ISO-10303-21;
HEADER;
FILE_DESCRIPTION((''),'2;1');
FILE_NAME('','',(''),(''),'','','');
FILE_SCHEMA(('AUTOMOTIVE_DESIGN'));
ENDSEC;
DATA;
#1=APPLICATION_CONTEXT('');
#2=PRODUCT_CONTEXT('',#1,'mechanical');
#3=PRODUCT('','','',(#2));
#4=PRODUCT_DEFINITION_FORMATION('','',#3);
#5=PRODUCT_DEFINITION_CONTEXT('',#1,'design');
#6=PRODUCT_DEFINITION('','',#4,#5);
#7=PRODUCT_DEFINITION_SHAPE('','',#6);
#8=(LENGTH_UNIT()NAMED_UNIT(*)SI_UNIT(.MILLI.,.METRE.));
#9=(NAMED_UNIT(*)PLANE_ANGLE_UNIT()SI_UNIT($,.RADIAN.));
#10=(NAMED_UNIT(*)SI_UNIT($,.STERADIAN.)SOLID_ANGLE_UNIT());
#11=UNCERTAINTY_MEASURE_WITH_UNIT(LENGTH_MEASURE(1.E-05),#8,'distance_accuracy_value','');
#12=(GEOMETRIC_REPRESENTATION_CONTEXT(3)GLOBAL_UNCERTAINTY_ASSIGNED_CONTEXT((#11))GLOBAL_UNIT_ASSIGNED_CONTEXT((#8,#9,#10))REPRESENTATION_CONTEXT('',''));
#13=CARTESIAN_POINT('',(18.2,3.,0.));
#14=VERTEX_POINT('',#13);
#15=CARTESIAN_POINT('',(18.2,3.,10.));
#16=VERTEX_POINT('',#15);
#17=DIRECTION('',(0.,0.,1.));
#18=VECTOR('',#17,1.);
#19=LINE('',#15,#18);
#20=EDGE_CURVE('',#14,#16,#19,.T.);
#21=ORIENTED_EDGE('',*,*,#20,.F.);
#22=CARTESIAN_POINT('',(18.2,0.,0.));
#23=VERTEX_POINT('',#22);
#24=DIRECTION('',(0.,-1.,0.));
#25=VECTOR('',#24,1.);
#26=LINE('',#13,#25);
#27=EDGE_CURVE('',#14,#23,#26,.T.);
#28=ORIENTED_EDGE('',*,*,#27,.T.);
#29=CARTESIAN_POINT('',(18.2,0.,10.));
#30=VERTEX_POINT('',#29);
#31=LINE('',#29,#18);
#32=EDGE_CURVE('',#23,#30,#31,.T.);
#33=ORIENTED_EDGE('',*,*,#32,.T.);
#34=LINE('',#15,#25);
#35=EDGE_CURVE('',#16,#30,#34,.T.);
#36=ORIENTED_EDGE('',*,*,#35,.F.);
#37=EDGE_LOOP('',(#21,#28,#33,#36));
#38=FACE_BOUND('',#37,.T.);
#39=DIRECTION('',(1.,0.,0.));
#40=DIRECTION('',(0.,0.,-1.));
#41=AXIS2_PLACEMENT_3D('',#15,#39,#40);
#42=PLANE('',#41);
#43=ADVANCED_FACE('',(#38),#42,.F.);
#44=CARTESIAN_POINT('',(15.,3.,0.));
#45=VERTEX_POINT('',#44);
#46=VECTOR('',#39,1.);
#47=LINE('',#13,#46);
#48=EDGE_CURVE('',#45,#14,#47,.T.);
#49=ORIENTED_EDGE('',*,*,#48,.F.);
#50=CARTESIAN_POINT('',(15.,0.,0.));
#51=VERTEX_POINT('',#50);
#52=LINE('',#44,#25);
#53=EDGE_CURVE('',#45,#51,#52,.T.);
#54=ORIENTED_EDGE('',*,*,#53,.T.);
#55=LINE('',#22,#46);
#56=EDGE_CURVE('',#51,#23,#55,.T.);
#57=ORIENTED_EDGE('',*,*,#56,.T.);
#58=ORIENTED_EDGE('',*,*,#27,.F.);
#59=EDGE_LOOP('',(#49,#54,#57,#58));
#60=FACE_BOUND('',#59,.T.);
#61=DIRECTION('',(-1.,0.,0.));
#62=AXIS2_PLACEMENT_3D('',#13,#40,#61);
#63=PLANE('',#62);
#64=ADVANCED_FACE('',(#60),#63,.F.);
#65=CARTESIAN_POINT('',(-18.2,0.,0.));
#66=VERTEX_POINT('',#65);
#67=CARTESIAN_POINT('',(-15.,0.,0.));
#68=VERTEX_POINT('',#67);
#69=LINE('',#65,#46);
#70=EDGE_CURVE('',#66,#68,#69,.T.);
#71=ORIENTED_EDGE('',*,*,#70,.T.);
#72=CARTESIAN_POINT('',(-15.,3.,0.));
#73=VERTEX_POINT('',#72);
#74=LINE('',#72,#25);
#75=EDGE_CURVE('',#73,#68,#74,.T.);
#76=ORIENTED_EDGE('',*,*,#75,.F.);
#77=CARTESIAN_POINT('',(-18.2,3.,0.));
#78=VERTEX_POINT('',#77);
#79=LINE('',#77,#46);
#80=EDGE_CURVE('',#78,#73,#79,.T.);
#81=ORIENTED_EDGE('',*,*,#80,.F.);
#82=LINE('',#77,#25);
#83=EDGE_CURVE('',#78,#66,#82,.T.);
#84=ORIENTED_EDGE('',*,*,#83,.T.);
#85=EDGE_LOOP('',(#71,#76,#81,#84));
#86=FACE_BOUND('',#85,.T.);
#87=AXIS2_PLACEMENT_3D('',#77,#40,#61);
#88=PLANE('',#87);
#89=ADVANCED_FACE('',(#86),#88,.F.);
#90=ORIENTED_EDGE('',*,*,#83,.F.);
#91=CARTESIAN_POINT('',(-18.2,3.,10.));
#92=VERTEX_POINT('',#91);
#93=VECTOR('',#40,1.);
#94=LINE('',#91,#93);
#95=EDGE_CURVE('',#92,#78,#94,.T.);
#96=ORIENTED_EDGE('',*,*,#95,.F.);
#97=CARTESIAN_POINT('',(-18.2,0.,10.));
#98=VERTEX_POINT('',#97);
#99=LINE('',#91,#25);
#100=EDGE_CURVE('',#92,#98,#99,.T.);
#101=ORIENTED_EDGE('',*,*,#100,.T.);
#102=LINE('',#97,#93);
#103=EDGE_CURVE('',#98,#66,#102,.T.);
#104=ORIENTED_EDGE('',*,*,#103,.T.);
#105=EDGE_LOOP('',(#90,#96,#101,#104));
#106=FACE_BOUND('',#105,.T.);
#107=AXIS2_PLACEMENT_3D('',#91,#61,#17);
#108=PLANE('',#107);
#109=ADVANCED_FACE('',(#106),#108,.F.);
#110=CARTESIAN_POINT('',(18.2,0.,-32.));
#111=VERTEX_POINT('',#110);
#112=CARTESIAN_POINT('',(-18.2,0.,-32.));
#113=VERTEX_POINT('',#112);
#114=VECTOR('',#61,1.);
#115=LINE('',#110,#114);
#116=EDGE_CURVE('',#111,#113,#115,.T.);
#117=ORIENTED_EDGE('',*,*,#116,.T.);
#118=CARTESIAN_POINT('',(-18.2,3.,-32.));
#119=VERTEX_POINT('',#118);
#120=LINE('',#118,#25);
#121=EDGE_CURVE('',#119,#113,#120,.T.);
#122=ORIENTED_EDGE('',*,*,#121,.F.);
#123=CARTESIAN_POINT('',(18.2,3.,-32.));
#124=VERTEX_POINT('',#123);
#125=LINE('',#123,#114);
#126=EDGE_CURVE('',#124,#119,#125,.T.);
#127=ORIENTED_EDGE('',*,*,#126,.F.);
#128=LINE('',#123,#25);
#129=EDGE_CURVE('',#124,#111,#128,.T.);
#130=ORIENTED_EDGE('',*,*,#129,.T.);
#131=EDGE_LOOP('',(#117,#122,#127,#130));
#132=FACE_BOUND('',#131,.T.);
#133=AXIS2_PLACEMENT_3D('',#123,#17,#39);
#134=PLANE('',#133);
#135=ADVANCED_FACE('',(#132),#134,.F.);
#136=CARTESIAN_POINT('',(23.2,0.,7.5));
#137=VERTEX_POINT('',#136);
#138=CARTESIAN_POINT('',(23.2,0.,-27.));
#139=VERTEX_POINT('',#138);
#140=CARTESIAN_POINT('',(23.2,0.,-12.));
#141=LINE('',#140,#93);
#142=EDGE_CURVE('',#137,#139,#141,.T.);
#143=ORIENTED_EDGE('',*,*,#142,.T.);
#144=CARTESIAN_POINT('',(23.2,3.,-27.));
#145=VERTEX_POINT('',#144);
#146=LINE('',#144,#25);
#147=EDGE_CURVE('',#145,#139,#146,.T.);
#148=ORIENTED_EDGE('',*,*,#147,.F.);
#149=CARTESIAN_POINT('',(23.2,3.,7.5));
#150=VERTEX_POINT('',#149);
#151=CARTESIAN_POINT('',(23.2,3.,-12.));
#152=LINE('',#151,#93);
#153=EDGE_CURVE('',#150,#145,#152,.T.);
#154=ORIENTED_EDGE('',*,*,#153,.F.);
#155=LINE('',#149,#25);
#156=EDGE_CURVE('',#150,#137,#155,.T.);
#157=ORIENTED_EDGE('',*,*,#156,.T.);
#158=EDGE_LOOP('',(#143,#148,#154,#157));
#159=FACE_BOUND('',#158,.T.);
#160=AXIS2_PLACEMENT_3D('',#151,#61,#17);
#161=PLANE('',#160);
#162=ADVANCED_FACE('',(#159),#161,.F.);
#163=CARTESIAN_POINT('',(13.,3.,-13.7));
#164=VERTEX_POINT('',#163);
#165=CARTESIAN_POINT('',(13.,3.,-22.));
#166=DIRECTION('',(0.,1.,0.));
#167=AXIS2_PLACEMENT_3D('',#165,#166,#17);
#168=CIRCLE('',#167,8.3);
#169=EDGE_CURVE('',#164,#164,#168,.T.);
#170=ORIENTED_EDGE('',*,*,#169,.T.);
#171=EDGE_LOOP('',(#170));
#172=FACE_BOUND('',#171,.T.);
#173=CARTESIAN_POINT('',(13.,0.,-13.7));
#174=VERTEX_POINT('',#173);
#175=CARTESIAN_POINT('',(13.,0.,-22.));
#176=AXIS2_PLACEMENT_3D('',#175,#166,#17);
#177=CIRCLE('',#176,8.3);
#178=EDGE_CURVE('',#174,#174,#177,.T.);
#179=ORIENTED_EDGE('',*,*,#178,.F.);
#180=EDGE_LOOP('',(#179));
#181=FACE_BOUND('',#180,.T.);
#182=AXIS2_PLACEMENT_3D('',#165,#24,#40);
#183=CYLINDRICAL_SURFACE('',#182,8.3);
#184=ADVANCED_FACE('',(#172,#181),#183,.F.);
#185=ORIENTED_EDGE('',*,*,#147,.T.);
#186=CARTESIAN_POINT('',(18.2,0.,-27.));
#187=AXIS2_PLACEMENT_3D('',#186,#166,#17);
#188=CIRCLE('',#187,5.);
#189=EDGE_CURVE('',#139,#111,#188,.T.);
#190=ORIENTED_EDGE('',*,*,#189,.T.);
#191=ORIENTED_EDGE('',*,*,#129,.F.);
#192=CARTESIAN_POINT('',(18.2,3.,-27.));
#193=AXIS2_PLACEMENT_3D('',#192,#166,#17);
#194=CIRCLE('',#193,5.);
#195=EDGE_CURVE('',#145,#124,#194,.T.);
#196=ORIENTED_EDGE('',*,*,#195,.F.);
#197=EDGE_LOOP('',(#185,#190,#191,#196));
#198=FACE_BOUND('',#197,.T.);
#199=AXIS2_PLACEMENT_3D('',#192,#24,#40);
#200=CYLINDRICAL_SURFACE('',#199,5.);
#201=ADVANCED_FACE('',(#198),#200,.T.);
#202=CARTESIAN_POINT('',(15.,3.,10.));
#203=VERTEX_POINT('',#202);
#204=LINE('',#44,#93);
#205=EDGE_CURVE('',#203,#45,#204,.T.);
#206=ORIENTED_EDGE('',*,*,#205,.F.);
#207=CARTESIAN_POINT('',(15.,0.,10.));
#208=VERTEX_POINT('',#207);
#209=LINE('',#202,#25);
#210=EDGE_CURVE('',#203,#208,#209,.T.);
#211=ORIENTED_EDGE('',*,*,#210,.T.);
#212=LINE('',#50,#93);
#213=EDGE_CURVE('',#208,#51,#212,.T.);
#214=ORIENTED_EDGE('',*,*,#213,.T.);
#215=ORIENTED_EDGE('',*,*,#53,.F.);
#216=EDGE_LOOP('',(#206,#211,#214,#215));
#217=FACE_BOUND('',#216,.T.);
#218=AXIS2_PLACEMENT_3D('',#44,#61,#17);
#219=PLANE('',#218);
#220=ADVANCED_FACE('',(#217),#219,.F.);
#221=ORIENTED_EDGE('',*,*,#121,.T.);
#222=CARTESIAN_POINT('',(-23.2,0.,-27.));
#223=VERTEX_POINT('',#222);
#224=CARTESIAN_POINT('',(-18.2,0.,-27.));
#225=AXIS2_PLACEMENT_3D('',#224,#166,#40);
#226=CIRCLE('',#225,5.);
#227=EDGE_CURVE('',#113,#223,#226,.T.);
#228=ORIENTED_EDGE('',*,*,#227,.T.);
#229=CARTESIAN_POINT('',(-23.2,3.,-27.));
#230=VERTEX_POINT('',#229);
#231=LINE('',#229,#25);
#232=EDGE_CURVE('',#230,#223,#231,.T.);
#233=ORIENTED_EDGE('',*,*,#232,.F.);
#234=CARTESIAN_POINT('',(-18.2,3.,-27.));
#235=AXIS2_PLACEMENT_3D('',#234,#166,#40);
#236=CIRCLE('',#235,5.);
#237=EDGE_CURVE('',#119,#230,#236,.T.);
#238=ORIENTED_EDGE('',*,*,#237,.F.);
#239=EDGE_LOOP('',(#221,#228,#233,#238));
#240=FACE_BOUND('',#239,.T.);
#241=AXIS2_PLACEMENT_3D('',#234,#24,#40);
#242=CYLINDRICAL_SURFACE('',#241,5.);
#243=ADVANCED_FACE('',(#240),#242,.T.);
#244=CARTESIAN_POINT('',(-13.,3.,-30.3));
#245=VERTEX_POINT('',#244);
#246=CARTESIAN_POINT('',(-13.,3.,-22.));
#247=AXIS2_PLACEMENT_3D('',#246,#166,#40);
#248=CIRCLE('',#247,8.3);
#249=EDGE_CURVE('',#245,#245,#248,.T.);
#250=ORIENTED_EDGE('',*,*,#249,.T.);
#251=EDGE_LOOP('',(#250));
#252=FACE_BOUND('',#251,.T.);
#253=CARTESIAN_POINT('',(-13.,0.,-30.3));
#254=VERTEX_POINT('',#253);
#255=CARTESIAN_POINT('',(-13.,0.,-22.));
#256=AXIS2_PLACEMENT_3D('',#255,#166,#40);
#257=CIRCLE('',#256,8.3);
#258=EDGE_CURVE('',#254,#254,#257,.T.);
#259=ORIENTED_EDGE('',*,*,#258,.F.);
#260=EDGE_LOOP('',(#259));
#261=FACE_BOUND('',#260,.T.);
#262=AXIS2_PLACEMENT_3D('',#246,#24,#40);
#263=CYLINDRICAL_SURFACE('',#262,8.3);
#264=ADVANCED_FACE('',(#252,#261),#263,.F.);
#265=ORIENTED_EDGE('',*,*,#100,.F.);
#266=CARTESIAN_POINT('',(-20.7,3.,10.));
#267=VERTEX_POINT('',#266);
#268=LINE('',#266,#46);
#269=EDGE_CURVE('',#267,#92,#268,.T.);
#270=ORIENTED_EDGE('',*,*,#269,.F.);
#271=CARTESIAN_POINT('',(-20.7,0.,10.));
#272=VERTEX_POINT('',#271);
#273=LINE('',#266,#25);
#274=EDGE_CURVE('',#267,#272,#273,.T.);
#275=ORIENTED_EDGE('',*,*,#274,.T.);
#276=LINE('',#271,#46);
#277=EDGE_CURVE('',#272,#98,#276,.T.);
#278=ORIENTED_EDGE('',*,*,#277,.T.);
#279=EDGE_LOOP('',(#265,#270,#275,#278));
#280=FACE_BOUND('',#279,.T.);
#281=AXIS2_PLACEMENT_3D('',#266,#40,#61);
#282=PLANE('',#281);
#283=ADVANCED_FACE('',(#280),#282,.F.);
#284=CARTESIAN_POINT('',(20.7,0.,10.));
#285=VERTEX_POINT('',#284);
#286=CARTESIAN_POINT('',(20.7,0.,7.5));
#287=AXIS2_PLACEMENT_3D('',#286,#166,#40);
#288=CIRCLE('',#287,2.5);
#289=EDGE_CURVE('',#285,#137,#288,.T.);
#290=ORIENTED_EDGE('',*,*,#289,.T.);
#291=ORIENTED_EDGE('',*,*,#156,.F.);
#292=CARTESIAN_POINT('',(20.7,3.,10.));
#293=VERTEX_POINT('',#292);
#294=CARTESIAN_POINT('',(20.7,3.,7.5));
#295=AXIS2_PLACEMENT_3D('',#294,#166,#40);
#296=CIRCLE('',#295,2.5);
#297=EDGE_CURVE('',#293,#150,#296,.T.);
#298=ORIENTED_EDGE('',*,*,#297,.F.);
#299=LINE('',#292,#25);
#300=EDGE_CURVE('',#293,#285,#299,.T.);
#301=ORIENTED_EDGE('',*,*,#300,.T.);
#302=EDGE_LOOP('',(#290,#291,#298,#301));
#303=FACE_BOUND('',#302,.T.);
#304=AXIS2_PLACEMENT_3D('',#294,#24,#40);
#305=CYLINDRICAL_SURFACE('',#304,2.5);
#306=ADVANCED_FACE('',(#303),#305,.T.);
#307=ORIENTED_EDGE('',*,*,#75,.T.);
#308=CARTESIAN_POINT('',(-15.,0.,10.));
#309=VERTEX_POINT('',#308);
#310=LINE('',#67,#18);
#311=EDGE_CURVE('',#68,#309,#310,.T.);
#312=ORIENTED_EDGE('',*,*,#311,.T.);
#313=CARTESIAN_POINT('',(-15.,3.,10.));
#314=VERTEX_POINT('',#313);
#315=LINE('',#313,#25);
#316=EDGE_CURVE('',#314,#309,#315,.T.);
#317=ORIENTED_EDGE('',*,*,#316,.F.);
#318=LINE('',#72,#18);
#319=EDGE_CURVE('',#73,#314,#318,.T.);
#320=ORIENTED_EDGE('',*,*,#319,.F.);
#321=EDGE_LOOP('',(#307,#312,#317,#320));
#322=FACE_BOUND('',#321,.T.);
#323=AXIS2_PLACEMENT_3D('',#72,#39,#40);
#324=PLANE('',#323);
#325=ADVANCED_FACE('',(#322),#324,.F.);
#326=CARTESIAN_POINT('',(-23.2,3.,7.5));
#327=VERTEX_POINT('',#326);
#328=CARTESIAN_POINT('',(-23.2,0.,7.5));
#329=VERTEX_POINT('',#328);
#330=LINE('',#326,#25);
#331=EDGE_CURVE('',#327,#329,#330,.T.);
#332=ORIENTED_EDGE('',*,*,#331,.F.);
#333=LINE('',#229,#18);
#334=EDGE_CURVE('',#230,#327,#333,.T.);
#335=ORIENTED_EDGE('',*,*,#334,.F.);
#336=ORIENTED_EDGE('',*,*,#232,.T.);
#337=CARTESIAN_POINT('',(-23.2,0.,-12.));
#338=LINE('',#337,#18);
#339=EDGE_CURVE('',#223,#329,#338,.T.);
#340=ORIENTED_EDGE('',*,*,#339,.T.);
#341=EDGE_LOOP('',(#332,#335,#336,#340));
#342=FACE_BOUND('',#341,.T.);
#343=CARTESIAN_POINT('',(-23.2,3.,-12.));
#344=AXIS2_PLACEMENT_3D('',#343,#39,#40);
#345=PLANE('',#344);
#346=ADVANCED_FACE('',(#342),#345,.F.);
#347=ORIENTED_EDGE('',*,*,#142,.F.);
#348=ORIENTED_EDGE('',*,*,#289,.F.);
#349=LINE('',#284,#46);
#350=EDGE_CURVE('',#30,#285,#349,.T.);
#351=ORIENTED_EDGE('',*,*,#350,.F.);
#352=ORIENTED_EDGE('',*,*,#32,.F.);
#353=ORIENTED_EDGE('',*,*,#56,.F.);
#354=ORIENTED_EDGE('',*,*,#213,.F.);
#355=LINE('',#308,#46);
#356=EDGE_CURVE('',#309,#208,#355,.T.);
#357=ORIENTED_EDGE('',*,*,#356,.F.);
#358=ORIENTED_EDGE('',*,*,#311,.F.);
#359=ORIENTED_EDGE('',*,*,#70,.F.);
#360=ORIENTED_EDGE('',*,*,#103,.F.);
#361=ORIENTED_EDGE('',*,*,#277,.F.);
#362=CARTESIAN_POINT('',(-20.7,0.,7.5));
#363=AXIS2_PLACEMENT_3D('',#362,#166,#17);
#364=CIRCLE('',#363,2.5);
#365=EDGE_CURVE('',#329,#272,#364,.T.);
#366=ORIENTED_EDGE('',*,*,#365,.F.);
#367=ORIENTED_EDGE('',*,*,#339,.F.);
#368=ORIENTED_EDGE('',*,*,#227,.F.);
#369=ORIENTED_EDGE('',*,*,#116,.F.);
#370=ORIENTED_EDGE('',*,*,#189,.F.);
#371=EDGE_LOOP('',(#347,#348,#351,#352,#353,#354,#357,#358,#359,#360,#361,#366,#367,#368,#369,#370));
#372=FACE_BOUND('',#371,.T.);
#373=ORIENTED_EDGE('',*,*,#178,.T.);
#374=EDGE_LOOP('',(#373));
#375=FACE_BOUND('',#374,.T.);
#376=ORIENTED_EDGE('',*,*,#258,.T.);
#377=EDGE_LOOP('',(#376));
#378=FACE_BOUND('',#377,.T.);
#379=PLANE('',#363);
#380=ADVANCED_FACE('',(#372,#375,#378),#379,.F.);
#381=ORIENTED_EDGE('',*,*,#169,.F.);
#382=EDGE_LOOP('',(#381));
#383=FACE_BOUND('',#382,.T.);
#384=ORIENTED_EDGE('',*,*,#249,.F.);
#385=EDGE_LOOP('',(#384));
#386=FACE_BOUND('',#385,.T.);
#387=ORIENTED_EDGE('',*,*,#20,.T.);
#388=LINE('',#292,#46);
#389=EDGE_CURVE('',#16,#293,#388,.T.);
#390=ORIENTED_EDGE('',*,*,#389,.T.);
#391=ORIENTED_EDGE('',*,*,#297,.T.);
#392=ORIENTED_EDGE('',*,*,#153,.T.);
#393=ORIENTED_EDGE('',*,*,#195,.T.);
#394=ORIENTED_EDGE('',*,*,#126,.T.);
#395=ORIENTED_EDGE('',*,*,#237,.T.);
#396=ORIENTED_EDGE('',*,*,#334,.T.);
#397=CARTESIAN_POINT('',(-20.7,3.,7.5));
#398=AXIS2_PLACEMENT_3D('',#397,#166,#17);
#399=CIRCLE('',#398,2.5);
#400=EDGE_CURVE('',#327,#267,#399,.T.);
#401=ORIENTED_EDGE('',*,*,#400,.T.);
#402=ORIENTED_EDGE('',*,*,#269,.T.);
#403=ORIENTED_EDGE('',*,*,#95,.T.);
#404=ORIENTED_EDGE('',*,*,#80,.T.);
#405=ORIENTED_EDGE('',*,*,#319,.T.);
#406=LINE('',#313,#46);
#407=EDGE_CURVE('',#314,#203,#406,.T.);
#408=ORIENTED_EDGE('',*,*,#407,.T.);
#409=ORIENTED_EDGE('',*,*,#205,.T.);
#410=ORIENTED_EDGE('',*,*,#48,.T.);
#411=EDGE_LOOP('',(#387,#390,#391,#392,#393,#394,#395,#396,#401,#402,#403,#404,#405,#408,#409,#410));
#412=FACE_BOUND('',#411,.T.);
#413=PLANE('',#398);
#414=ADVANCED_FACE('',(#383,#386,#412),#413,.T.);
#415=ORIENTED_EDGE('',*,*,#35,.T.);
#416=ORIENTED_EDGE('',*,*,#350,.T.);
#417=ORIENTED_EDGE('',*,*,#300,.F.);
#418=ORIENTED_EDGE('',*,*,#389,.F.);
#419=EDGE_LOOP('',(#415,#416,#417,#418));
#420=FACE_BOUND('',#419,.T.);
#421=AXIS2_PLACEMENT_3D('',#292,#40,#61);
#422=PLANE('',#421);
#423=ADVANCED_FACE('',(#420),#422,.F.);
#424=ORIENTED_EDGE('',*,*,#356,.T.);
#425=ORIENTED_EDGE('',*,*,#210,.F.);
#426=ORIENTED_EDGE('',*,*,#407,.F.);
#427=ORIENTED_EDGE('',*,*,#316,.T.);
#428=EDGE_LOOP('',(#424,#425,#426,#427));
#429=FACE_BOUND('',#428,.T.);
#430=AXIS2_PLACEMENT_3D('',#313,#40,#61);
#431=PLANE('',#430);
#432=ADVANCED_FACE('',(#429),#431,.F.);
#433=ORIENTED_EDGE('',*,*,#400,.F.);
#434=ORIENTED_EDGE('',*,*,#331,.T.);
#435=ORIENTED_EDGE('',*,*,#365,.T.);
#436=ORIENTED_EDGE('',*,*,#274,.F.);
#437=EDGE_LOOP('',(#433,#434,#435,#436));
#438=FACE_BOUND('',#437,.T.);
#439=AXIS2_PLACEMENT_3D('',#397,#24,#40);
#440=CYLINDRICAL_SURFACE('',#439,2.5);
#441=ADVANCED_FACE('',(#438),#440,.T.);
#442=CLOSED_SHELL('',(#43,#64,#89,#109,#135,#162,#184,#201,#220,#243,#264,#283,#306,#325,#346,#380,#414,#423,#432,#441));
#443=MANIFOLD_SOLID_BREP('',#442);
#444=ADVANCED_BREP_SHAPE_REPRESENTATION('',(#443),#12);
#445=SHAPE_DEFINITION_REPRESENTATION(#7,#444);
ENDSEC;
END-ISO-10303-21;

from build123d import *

# Parameters (mm, degrees)
SKETCH_1_R      = 8.3
EXTRUDE_1_DEPTH = 3


with BuildPart() as part:
    # 草图1 → 凸台-拉伸1 (new body)
    with BuildSketch(Plane(origin=(0, 0, 0), x_dir=(1, 0, 0), z_dir=(0, 1, 0))):
        with BuildLine():
            Line((-15, 0), (-15, -10))
            Line((-15, -10), (15, -10))
            Line((15, -10), (15, 0))
            Line((15, 0), (18.2, 0))
            Line((18.2, 0), (18.2, -10))
            Line((18.2, -10), (20.7, -10))
            ThreePointArc((20.7, -10), (22.467766953, -9.267766953), (23.2, -7.5))
            Line((23.2, -7.5), (23.2, 12))
            Line((23.2, 12), (23.2, 27))
            ThreePointArc((23.2, 27), (21.735533906, 30.535533906), (18.2, 32))
            Line((18.2, 32), (-18.2, 32))
            ThreePointArc((-18.2, 32), (-21.735533906, 30.535533906), (-23.2, 27))
            Line((-23.2, 27), (-23.2, 12))
            Line((-23.2, 12), (-23.2, -7.5))
            ThreePointArc((-23.2, -7.5), (-22.467766953, -9.267766953), (-20.7, -10))
            Line((-20.7, -10), (-18.2, -10))
            Line((-18.2, -10), (-18.2, 0))
            Line((-18.2, 0), (-15, 0))
        make_face()
        with Locations(Location((13, 22, 0), (0, 0, 270))):
            Circle(SKETCH_1_R, mode=Mode.SUBTRACT)
        with Locations(Location((-13, 22, 0), (0, 0, 90))):
            Circle(SKETCH_1_R, mode=Mode.SUBTRACT)
    extrude(amount=EXTRUDE_1_DEPTH)


solid = part.part
